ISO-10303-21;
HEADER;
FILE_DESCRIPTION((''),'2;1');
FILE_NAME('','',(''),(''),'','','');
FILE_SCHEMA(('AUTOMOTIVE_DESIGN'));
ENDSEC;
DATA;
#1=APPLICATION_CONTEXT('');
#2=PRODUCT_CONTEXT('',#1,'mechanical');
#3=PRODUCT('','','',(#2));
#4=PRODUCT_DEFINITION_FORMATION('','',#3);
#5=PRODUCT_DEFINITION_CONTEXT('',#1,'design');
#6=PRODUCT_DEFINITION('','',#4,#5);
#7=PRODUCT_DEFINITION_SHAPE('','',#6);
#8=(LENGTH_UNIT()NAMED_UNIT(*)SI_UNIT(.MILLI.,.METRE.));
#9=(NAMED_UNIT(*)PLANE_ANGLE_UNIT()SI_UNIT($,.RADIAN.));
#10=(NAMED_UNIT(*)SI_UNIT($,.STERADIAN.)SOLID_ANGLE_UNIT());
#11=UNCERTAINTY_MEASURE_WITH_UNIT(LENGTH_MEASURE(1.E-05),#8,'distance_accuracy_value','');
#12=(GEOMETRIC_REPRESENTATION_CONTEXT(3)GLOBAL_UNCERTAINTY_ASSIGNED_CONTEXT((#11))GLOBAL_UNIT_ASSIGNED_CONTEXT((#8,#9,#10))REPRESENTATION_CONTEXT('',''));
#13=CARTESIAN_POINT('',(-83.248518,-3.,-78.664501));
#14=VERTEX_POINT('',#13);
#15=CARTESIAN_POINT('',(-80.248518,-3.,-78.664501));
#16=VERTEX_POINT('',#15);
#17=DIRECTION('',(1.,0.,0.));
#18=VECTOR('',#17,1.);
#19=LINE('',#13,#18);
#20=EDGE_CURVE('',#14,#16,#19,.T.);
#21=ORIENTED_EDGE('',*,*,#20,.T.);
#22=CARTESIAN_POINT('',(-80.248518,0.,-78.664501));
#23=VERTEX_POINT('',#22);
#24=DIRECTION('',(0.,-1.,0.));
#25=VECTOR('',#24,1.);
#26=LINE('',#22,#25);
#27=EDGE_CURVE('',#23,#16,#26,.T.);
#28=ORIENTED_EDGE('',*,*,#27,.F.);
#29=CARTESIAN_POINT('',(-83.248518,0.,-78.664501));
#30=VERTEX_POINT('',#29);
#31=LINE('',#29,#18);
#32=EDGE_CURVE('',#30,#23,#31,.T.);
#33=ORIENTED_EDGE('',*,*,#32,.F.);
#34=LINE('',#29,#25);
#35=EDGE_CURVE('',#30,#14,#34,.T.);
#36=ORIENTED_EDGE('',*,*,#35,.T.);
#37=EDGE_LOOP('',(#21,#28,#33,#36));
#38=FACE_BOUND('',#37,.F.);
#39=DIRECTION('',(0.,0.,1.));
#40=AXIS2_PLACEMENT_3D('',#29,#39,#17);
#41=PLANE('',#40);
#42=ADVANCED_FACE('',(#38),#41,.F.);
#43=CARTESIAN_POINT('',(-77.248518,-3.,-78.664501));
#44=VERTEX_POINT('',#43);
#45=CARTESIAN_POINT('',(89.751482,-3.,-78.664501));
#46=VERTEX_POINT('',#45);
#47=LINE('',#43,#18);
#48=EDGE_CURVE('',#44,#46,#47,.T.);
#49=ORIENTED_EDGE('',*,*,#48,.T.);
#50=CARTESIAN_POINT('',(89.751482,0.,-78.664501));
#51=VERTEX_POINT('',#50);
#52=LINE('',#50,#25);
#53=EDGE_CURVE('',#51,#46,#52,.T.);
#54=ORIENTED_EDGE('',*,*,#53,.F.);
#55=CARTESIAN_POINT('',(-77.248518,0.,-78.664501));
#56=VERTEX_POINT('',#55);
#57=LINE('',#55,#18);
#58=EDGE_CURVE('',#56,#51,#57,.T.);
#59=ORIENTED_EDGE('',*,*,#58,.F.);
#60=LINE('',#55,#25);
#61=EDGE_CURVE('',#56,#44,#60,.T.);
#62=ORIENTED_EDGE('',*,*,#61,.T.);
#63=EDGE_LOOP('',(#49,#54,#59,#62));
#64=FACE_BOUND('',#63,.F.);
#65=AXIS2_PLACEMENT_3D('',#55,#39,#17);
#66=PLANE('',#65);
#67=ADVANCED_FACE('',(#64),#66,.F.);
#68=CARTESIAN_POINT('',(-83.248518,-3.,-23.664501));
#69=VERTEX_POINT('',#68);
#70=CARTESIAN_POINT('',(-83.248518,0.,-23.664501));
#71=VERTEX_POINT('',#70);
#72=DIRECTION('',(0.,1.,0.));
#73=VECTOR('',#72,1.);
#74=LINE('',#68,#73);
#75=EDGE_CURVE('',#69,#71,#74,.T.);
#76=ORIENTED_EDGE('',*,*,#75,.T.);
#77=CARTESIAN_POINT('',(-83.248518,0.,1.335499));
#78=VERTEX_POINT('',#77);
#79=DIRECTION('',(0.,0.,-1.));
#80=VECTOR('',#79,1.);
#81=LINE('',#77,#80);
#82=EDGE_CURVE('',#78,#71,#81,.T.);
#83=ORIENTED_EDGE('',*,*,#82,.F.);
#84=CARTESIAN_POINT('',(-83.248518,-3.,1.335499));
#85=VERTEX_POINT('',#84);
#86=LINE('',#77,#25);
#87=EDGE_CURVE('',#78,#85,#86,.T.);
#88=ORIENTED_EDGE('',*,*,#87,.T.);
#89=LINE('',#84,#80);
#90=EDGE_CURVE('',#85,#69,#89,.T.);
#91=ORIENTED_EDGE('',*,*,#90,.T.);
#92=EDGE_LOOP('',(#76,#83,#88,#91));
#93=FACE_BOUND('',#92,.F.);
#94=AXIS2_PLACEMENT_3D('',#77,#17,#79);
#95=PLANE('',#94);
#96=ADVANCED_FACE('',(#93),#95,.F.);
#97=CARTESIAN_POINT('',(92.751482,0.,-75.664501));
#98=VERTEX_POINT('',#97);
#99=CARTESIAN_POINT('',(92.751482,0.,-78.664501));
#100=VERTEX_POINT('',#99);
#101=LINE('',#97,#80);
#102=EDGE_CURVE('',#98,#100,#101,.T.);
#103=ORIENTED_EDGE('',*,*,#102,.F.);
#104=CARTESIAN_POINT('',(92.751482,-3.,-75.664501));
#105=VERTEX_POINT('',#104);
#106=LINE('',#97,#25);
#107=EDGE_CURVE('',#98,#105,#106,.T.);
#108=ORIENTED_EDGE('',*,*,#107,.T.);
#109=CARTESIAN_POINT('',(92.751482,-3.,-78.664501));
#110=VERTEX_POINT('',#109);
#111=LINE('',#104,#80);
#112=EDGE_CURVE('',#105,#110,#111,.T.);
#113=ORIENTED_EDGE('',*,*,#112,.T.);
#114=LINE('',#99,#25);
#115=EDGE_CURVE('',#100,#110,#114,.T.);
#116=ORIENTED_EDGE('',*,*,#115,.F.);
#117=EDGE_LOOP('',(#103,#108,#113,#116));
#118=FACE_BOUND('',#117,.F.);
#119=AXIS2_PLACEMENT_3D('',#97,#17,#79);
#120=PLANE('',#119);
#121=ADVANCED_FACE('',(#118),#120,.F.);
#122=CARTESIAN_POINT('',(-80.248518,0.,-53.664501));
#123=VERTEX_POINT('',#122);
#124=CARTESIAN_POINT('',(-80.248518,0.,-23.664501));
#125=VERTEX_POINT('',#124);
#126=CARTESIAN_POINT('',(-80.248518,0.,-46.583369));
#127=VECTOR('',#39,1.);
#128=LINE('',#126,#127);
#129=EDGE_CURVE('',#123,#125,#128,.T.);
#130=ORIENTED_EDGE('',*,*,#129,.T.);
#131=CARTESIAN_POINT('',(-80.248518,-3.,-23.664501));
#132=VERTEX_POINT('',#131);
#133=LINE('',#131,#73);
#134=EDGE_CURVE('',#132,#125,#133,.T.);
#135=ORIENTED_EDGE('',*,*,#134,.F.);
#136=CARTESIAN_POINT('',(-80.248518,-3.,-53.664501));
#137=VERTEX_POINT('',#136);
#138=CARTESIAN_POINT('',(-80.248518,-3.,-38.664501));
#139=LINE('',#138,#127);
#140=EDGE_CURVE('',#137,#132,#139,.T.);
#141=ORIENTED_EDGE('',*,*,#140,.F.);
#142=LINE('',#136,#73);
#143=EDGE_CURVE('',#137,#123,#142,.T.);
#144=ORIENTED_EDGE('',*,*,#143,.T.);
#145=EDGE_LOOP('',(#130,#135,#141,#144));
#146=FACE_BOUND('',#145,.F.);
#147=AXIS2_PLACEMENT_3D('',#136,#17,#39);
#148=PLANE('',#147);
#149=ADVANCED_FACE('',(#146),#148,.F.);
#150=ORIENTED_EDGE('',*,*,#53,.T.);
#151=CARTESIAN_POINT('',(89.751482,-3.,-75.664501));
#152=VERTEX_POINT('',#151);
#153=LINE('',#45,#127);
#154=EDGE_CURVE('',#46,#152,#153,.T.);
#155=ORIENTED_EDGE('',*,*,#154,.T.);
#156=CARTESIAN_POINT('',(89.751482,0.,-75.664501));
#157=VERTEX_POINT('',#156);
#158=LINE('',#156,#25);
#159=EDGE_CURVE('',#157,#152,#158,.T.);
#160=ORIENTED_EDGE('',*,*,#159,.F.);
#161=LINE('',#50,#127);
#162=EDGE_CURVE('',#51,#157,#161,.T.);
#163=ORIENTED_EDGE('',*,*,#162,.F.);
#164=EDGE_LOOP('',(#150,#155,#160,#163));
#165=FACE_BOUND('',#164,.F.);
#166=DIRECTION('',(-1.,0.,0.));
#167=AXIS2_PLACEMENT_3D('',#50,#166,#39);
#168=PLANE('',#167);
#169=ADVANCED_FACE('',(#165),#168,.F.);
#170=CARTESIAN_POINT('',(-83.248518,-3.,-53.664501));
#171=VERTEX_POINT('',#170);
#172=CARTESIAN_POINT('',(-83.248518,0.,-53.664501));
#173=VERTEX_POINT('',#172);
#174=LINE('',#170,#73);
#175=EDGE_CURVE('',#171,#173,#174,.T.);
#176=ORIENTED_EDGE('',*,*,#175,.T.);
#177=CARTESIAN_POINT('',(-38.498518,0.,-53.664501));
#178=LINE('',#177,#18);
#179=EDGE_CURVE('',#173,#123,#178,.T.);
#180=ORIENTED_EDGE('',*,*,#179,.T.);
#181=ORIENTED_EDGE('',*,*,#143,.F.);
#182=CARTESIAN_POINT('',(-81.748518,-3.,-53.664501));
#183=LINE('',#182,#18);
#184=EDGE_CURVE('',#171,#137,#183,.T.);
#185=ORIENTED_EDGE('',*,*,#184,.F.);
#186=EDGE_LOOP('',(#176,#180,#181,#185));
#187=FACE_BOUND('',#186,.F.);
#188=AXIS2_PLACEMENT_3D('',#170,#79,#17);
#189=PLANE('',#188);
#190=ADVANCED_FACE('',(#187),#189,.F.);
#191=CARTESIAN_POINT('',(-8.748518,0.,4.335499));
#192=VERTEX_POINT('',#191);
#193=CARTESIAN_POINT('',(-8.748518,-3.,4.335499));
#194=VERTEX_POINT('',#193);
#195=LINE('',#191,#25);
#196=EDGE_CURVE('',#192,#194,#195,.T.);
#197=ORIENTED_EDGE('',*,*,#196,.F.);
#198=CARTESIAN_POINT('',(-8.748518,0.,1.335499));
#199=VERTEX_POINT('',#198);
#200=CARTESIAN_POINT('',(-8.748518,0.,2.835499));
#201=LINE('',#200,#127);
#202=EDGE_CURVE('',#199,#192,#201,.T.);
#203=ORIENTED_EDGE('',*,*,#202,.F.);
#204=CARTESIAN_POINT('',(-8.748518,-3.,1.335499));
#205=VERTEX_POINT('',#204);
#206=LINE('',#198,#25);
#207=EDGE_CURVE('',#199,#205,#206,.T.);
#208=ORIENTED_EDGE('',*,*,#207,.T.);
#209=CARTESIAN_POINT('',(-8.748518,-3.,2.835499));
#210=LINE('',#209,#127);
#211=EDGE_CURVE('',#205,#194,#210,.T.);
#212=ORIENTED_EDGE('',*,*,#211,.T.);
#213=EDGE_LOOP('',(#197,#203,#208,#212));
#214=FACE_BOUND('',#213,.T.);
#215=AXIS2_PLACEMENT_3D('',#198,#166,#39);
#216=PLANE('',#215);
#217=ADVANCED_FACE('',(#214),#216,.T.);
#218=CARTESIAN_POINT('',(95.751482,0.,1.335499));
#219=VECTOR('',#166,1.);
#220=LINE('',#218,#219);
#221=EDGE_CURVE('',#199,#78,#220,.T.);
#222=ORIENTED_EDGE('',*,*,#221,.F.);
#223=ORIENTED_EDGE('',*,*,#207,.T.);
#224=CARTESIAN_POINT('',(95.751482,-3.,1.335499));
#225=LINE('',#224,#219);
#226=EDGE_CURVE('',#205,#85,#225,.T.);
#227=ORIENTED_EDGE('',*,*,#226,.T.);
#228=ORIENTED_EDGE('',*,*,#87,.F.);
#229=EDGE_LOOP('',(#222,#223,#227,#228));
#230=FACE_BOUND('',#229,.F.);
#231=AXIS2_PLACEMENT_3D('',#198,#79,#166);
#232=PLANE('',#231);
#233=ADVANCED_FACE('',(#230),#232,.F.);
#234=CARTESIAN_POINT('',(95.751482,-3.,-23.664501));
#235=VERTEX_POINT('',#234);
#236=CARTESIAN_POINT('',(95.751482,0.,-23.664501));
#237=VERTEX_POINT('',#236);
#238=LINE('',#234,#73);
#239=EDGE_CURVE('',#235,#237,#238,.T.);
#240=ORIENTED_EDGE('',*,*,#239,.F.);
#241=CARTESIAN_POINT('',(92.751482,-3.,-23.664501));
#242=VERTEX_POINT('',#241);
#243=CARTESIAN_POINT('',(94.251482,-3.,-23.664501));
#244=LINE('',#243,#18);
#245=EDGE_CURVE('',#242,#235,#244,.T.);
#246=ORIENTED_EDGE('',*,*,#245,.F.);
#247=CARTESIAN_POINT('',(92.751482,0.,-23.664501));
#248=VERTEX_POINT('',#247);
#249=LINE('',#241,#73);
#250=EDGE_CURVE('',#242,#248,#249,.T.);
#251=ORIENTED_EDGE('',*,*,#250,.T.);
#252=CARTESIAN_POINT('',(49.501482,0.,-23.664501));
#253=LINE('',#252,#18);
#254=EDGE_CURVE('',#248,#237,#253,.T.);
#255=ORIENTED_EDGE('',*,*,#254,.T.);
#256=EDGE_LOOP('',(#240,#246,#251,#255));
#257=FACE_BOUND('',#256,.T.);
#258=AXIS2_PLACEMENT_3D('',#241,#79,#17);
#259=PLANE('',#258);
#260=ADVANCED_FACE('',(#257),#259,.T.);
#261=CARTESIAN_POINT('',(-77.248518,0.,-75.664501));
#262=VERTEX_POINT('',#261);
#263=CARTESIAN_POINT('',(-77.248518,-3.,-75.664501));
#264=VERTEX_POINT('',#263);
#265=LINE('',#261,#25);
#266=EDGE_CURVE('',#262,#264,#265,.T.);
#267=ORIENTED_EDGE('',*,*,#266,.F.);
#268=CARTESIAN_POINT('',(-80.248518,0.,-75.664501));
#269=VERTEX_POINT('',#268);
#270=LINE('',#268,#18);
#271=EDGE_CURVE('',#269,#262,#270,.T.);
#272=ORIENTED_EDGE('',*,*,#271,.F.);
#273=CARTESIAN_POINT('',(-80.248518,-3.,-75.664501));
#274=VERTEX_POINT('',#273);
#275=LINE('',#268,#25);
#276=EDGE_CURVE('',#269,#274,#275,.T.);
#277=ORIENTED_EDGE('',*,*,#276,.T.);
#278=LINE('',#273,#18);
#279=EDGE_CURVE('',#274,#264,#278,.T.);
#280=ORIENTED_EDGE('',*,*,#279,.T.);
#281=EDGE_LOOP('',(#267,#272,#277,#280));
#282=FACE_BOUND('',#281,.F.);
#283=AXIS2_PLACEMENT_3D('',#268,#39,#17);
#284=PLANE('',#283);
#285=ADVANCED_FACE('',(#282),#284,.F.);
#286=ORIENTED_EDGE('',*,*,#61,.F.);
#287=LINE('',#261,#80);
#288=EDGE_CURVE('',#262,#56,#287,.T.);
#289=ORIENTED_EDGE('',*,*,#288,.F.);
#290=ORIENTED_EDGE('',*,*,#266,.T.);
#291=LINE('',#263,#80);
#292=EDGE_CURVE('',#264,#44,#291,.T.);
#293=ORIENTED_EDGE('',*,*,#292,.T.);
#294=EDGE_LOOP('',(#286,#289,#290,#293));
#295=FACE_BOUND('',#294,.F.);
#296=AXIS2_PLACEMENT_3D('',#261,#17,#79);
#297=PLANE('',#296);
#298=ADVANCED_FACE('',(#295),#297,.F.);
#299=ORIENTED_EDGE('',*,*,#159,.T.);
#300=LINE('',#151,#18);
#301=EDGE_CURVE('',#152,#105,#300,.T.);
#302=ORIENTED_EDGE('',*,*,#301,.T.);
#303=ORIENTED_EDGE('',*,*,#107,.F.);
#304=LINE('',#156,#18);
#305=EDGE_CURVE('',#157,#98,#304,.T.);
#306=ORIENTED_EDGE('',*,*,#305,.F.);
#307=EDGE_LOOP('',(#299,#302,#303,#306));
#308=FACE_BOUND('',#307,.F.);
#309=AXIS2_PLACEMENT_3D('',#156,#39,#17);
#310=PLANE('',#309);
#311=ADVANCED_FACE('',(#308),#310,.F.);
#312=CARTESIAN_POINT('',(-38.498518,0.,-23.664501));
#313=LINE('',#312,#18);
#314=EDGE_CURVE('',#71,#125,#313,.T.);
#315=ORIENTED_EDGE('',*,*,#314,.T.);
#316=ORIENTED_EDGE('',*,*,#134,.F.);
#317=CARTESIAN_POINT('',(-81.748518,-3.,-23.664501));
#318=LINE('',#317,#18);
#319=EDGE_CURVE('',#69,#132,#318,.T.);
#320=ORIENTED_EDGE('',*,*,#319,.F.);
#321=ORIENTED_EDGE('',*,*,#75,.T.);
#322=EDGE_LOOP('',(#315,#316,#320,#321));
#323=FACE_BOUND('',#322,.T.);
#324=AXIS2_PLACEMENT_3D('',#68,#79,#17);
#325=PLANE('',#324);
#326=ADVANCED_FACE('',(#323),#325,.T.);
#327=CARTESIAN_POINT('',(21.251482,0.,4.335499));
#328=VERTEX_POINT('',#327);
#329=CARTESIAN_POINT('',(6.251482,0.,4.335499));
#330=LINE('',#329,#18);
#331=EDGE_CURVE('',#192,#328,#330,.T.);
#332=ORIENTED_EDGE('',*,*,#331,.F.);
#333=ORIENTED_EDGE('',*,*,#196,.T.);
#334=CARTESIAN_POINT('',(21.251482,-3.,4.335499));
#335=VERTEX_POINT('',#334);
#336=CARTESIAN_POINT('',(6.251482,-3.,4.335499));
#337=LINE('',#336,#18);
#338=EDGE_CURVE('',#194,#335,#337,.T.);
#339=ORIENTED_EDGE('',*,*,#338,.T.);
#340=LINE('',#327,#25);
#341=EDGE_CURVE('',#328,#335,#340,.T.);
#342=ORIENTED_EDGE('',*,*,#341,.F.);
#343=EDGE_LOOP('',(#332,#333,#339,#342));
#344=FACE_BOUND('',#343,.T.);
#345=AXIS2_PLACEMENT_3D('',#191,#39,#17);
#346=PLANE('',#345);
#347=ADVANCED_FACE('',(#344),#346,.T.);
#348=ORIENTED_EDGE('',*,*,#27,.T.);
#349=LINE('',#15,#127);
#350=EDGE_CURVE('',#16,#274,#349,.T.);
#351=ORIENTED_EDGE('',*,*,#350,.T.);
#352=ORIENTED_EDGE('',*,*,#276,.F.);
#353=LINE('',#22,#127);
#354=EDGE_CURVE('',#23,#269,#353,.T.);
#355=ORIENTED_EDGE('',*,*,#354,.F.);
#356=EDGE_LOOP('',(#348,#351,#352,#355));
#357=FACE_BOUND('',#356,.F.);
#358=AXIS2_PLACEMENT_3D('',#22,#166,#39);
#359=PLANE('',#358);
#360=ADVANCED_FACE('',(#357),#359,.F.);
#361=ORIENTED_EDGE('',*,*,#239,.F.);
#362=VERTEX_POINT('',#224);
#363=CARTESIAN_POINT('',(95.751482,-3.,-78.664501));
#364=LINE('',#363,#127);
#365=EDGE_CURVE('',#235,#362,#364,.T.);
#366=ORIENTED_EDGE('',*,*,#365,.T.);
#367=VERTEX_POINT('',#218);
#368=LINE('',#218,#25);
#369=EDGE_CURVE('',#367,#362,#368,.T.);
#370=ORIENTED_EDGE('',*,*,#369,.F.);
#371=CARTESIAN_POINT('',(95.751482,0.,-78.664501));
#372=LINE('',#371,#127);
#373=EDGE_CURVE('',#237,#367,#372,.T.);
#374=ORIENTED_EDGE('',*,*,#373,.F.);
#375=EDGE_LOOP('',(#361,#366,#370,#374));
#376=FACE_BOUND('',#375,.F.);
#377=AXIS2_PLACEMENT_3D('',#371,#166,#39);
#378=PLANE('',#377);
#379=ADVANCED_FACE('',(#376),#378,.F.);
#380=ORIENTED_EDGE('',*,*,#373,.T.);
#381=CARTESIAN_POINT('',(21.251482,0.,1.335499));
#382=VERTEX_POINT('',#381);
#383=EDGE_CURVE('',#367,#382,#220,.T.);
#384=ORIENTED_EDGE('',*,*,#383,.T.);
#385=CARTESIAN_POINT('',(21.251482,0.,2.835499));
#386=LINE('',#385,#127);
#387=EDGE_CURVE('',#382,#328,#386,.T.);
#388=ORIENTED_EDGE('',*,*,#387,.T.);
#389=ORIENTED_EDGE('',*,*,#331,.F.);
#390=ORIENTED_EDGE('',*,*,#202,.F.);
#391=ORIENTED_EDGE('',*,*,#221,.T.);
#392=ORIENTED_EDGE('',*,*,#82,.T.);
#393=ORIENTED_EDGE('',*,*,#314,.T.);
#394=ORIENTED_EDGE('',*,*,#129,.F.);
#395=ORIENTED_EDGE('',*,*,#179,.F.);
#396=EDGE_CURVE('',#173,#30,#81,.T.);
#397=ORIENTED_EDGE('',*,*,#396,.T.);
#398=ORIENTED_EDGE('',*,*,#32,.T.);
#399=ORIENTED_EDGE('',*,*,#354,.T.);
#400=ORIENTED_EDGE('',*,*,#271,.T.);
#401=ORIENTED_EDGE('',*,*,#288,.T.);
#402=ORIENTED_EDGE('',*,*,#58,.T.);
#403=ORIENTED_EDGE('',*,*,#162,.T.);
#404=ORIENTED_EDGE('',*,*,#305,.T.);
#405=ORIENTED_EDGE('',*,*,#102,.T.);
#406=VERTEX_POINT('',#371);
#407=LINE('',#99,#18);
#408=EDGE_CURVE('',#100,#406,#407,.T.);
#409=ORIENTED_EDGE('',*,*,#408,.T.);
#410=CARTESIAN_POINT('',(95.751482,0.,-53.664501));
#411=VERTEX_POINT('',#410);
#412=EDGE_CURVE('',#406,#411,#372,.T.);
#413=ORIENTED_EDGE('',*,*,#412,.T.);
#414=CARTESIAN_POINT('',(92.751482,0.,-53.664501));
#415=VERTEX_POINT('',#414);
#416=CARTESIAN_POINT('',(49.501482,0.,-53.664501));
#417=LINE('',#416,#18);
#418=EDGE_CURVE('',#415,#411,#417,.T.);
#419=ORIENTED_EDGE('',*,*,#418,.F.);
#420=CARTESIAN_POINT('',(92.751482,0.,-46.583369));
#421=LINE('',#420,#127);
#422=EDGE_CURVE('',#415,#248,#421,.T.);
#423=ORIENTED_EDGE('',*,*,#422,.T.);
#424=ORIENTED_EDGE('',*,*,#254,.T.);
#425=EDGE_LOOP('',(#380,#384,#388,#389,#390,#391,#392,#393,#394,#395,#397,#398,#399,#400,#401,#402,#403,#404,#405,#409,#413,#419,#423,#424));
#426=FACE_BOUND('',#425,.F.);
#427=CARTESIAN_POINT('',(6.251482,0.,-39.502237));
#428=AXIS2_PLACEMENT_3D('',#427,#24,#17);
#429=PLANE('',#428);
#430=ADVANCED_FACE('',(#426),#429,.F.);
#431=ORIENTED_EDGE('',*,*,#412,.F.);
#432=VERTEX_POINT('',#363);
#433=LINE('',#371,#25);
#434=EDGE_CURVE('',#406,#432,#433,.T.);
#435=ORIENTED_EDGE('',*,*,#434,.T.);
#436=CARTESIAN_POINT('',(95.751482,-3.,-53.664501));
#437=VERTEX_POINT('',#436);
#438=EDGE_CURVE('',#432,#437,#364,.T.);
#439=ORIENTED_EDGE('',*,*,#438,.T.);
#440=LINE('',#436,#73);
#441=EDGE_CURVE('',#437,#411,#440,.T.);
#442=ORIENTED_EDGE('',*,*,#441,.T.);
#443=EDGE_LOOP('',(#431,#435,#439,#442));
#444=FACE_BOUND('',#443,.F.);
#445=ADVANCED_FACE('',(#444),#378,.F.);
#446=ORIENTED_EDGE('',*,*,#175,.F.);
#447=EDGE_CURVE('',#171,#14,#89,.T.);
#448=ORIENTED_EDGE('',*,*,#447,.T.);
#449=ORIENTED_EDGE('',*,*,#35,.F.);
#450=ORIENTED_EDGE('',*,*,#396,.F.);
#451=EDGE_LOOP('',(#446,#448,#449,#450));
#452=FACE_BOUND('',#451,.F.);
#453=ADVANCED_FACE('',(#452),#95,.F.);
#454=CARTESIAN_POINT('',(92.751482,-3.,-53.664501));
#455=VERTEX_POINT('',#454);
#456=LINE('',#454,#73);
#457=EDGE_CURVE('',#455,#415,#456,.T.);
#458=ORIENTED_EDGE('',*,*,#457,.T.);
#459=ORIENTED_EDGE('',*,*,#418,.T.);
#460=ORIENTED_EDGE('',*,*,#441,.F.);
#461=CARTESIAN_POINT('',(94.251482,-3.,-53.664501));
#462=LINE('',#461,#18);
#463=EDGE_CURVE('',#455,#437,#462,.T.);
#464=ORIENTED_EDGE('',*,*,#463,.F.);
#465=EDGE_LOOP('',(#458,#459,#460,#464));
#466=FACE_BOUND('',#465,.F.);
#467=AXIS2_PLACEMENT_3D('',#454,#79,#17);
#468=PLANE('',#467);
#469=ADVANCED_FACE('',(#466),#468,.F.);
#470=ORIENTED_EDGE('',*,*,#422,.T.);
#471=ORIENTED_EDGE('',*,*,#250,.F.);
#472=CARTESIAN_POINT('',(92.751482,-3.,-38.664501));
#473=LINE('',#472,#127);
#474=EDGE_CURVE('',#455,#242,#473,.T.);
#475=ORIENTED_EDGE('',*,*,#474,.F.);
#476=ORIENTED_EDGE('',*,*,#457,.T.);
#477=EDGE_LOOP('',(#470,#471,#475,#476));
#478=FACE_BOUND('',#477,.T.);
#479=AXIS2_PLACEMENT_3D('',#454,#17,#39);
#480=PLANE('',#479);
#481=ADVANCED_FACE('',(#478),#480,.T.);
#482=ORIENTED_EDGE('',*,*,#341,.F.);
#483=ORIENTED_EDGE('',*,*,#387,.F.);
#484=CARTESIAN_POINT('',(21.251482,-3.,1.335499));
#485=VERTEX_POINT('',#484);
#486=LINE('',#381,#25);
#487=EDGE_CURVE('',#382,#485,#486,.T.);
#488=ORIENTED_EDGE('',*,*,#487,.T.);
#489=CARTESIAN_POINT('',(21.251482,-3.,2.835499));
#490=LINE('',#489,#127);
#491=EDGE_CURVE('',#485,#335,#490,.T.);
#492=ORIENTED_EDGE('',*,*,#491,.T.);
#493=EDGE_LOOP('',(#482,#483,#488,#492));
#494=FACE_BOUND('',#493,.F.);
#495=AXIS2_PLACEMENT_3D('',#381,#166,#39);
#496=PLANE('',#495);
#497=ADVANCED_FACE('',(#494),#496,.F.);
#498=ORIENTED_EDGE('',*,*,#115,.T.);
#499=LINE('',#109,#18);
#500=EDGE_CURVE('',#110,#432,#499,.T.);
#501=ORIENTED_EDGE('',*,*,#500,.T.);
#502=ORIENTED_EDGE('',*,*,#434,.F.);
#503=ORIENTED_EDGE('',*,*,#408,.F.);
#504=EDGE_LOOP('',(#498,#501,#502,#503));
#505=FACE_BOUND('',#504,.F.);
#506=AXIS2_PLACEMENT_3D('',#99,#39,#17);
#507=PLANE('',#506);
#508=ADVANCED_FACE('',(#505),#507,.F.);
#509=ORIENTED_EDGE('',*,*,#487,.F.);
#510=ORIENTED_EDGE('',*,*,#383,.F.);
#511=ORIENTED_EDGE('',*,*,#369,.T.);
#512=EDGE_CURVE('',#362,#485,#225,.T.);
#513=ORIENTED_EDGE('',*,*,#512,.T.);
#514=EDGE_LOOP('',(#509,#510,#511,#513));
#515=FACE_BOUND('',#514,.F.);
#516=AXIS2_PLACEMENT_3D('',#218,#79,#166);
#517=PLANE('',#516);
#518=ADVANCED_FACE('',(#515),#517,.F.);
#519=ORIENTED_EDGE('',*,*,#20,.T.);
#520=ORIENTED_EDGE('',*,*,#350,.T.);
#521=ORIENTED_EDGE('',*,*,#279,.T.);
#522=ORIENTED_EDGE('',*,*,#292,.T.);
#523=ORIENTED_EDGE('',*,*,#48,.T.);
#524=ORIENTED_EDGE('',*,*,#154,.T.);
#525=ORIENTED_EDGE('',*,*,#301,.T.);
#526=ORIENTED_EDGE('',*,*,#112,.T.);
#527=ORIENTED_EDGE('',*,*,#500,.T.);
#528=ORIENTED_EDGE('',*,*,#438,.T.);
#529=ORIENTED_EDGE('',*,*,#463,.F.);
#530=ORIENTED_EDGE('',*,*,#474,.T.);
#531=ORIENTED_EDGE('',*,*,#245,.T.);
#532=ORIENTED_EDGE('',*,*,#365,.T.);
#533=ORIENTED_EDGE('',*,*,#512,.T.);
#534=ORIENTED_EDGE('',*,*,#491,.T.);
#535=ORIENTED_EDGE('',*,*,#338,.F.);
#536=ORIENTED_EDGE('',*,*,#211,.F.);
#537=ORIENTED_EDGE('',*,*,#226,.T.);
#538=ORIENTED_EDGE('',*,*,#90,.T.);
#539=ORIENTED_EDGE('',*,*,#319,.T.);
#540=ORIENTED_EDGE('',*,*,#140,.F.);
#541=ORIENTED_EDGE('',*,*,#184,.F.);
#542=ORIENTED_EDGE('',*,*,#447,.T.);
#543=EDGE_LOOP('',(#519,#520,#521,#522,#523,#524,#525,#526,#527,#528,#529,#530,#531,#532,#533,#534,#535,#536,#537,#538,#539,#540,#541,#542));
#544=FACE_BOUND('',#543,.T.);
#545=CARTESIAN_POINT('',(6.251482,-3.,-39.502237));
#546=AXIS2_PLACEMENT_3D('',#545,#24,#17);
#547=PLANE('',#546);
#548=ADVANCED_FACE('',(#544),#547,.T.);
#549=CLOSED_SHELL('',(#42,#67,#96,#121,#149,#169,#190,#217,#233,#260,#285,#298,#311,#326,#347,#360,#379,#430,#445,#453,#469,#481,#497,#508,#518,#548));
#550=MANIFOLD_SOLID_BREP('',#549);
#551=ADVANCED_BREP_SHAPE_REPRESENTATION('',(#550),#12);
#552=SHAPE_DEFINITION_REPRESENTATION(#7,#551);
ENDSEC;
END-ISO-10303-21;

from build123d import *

# Parameters (mm, degrees)
F0_W     = 30
F0_H     = 3
F1_DEPTH = 3
F2_W     = 3
F2_H     = 30
F3_DEPTH = 25


with BuildPart() as f1:
    # F0 (on Front) → F1 (new body)
    with BuildSketch(Plane.XZ):
        Polygon((-8.748518, 1.335499), (-83.248518, 1.335499), (-83.248518, -78.664501), (-80.248518, -78.664501), (-80.248518, -75.664501), (-77.248518, -75.664501), (-77.248518, -78.664501), (89.751482, -78.664501), (89.751482, -75.664501), (92.751482, -75.664501), (92.751482, -78.664501), (95.751482, -78.664501), (95.751482, 1.335499), (21.251482, 1.335499), align=None)
        with Locations((6.251482, 2.835499)):
            Rectangle(F0_W, F0_H)
    extrude(amount=F1_DEPTH)

    # F2 (on face) → F3 (cut)
    with BuildSketch(Plane.XZ.offset(3)):
        with Locations((-81.748518, -38.664501)):
            Rectangle(F2_W, F2_H)
        with Locations((94.251482, -38.664501)):
            Rectangle(F2_W, F2_H)
    extrude(amount=-F3_DEPTH, mode=Mode.SUBTRACT)


solid = f1.part
